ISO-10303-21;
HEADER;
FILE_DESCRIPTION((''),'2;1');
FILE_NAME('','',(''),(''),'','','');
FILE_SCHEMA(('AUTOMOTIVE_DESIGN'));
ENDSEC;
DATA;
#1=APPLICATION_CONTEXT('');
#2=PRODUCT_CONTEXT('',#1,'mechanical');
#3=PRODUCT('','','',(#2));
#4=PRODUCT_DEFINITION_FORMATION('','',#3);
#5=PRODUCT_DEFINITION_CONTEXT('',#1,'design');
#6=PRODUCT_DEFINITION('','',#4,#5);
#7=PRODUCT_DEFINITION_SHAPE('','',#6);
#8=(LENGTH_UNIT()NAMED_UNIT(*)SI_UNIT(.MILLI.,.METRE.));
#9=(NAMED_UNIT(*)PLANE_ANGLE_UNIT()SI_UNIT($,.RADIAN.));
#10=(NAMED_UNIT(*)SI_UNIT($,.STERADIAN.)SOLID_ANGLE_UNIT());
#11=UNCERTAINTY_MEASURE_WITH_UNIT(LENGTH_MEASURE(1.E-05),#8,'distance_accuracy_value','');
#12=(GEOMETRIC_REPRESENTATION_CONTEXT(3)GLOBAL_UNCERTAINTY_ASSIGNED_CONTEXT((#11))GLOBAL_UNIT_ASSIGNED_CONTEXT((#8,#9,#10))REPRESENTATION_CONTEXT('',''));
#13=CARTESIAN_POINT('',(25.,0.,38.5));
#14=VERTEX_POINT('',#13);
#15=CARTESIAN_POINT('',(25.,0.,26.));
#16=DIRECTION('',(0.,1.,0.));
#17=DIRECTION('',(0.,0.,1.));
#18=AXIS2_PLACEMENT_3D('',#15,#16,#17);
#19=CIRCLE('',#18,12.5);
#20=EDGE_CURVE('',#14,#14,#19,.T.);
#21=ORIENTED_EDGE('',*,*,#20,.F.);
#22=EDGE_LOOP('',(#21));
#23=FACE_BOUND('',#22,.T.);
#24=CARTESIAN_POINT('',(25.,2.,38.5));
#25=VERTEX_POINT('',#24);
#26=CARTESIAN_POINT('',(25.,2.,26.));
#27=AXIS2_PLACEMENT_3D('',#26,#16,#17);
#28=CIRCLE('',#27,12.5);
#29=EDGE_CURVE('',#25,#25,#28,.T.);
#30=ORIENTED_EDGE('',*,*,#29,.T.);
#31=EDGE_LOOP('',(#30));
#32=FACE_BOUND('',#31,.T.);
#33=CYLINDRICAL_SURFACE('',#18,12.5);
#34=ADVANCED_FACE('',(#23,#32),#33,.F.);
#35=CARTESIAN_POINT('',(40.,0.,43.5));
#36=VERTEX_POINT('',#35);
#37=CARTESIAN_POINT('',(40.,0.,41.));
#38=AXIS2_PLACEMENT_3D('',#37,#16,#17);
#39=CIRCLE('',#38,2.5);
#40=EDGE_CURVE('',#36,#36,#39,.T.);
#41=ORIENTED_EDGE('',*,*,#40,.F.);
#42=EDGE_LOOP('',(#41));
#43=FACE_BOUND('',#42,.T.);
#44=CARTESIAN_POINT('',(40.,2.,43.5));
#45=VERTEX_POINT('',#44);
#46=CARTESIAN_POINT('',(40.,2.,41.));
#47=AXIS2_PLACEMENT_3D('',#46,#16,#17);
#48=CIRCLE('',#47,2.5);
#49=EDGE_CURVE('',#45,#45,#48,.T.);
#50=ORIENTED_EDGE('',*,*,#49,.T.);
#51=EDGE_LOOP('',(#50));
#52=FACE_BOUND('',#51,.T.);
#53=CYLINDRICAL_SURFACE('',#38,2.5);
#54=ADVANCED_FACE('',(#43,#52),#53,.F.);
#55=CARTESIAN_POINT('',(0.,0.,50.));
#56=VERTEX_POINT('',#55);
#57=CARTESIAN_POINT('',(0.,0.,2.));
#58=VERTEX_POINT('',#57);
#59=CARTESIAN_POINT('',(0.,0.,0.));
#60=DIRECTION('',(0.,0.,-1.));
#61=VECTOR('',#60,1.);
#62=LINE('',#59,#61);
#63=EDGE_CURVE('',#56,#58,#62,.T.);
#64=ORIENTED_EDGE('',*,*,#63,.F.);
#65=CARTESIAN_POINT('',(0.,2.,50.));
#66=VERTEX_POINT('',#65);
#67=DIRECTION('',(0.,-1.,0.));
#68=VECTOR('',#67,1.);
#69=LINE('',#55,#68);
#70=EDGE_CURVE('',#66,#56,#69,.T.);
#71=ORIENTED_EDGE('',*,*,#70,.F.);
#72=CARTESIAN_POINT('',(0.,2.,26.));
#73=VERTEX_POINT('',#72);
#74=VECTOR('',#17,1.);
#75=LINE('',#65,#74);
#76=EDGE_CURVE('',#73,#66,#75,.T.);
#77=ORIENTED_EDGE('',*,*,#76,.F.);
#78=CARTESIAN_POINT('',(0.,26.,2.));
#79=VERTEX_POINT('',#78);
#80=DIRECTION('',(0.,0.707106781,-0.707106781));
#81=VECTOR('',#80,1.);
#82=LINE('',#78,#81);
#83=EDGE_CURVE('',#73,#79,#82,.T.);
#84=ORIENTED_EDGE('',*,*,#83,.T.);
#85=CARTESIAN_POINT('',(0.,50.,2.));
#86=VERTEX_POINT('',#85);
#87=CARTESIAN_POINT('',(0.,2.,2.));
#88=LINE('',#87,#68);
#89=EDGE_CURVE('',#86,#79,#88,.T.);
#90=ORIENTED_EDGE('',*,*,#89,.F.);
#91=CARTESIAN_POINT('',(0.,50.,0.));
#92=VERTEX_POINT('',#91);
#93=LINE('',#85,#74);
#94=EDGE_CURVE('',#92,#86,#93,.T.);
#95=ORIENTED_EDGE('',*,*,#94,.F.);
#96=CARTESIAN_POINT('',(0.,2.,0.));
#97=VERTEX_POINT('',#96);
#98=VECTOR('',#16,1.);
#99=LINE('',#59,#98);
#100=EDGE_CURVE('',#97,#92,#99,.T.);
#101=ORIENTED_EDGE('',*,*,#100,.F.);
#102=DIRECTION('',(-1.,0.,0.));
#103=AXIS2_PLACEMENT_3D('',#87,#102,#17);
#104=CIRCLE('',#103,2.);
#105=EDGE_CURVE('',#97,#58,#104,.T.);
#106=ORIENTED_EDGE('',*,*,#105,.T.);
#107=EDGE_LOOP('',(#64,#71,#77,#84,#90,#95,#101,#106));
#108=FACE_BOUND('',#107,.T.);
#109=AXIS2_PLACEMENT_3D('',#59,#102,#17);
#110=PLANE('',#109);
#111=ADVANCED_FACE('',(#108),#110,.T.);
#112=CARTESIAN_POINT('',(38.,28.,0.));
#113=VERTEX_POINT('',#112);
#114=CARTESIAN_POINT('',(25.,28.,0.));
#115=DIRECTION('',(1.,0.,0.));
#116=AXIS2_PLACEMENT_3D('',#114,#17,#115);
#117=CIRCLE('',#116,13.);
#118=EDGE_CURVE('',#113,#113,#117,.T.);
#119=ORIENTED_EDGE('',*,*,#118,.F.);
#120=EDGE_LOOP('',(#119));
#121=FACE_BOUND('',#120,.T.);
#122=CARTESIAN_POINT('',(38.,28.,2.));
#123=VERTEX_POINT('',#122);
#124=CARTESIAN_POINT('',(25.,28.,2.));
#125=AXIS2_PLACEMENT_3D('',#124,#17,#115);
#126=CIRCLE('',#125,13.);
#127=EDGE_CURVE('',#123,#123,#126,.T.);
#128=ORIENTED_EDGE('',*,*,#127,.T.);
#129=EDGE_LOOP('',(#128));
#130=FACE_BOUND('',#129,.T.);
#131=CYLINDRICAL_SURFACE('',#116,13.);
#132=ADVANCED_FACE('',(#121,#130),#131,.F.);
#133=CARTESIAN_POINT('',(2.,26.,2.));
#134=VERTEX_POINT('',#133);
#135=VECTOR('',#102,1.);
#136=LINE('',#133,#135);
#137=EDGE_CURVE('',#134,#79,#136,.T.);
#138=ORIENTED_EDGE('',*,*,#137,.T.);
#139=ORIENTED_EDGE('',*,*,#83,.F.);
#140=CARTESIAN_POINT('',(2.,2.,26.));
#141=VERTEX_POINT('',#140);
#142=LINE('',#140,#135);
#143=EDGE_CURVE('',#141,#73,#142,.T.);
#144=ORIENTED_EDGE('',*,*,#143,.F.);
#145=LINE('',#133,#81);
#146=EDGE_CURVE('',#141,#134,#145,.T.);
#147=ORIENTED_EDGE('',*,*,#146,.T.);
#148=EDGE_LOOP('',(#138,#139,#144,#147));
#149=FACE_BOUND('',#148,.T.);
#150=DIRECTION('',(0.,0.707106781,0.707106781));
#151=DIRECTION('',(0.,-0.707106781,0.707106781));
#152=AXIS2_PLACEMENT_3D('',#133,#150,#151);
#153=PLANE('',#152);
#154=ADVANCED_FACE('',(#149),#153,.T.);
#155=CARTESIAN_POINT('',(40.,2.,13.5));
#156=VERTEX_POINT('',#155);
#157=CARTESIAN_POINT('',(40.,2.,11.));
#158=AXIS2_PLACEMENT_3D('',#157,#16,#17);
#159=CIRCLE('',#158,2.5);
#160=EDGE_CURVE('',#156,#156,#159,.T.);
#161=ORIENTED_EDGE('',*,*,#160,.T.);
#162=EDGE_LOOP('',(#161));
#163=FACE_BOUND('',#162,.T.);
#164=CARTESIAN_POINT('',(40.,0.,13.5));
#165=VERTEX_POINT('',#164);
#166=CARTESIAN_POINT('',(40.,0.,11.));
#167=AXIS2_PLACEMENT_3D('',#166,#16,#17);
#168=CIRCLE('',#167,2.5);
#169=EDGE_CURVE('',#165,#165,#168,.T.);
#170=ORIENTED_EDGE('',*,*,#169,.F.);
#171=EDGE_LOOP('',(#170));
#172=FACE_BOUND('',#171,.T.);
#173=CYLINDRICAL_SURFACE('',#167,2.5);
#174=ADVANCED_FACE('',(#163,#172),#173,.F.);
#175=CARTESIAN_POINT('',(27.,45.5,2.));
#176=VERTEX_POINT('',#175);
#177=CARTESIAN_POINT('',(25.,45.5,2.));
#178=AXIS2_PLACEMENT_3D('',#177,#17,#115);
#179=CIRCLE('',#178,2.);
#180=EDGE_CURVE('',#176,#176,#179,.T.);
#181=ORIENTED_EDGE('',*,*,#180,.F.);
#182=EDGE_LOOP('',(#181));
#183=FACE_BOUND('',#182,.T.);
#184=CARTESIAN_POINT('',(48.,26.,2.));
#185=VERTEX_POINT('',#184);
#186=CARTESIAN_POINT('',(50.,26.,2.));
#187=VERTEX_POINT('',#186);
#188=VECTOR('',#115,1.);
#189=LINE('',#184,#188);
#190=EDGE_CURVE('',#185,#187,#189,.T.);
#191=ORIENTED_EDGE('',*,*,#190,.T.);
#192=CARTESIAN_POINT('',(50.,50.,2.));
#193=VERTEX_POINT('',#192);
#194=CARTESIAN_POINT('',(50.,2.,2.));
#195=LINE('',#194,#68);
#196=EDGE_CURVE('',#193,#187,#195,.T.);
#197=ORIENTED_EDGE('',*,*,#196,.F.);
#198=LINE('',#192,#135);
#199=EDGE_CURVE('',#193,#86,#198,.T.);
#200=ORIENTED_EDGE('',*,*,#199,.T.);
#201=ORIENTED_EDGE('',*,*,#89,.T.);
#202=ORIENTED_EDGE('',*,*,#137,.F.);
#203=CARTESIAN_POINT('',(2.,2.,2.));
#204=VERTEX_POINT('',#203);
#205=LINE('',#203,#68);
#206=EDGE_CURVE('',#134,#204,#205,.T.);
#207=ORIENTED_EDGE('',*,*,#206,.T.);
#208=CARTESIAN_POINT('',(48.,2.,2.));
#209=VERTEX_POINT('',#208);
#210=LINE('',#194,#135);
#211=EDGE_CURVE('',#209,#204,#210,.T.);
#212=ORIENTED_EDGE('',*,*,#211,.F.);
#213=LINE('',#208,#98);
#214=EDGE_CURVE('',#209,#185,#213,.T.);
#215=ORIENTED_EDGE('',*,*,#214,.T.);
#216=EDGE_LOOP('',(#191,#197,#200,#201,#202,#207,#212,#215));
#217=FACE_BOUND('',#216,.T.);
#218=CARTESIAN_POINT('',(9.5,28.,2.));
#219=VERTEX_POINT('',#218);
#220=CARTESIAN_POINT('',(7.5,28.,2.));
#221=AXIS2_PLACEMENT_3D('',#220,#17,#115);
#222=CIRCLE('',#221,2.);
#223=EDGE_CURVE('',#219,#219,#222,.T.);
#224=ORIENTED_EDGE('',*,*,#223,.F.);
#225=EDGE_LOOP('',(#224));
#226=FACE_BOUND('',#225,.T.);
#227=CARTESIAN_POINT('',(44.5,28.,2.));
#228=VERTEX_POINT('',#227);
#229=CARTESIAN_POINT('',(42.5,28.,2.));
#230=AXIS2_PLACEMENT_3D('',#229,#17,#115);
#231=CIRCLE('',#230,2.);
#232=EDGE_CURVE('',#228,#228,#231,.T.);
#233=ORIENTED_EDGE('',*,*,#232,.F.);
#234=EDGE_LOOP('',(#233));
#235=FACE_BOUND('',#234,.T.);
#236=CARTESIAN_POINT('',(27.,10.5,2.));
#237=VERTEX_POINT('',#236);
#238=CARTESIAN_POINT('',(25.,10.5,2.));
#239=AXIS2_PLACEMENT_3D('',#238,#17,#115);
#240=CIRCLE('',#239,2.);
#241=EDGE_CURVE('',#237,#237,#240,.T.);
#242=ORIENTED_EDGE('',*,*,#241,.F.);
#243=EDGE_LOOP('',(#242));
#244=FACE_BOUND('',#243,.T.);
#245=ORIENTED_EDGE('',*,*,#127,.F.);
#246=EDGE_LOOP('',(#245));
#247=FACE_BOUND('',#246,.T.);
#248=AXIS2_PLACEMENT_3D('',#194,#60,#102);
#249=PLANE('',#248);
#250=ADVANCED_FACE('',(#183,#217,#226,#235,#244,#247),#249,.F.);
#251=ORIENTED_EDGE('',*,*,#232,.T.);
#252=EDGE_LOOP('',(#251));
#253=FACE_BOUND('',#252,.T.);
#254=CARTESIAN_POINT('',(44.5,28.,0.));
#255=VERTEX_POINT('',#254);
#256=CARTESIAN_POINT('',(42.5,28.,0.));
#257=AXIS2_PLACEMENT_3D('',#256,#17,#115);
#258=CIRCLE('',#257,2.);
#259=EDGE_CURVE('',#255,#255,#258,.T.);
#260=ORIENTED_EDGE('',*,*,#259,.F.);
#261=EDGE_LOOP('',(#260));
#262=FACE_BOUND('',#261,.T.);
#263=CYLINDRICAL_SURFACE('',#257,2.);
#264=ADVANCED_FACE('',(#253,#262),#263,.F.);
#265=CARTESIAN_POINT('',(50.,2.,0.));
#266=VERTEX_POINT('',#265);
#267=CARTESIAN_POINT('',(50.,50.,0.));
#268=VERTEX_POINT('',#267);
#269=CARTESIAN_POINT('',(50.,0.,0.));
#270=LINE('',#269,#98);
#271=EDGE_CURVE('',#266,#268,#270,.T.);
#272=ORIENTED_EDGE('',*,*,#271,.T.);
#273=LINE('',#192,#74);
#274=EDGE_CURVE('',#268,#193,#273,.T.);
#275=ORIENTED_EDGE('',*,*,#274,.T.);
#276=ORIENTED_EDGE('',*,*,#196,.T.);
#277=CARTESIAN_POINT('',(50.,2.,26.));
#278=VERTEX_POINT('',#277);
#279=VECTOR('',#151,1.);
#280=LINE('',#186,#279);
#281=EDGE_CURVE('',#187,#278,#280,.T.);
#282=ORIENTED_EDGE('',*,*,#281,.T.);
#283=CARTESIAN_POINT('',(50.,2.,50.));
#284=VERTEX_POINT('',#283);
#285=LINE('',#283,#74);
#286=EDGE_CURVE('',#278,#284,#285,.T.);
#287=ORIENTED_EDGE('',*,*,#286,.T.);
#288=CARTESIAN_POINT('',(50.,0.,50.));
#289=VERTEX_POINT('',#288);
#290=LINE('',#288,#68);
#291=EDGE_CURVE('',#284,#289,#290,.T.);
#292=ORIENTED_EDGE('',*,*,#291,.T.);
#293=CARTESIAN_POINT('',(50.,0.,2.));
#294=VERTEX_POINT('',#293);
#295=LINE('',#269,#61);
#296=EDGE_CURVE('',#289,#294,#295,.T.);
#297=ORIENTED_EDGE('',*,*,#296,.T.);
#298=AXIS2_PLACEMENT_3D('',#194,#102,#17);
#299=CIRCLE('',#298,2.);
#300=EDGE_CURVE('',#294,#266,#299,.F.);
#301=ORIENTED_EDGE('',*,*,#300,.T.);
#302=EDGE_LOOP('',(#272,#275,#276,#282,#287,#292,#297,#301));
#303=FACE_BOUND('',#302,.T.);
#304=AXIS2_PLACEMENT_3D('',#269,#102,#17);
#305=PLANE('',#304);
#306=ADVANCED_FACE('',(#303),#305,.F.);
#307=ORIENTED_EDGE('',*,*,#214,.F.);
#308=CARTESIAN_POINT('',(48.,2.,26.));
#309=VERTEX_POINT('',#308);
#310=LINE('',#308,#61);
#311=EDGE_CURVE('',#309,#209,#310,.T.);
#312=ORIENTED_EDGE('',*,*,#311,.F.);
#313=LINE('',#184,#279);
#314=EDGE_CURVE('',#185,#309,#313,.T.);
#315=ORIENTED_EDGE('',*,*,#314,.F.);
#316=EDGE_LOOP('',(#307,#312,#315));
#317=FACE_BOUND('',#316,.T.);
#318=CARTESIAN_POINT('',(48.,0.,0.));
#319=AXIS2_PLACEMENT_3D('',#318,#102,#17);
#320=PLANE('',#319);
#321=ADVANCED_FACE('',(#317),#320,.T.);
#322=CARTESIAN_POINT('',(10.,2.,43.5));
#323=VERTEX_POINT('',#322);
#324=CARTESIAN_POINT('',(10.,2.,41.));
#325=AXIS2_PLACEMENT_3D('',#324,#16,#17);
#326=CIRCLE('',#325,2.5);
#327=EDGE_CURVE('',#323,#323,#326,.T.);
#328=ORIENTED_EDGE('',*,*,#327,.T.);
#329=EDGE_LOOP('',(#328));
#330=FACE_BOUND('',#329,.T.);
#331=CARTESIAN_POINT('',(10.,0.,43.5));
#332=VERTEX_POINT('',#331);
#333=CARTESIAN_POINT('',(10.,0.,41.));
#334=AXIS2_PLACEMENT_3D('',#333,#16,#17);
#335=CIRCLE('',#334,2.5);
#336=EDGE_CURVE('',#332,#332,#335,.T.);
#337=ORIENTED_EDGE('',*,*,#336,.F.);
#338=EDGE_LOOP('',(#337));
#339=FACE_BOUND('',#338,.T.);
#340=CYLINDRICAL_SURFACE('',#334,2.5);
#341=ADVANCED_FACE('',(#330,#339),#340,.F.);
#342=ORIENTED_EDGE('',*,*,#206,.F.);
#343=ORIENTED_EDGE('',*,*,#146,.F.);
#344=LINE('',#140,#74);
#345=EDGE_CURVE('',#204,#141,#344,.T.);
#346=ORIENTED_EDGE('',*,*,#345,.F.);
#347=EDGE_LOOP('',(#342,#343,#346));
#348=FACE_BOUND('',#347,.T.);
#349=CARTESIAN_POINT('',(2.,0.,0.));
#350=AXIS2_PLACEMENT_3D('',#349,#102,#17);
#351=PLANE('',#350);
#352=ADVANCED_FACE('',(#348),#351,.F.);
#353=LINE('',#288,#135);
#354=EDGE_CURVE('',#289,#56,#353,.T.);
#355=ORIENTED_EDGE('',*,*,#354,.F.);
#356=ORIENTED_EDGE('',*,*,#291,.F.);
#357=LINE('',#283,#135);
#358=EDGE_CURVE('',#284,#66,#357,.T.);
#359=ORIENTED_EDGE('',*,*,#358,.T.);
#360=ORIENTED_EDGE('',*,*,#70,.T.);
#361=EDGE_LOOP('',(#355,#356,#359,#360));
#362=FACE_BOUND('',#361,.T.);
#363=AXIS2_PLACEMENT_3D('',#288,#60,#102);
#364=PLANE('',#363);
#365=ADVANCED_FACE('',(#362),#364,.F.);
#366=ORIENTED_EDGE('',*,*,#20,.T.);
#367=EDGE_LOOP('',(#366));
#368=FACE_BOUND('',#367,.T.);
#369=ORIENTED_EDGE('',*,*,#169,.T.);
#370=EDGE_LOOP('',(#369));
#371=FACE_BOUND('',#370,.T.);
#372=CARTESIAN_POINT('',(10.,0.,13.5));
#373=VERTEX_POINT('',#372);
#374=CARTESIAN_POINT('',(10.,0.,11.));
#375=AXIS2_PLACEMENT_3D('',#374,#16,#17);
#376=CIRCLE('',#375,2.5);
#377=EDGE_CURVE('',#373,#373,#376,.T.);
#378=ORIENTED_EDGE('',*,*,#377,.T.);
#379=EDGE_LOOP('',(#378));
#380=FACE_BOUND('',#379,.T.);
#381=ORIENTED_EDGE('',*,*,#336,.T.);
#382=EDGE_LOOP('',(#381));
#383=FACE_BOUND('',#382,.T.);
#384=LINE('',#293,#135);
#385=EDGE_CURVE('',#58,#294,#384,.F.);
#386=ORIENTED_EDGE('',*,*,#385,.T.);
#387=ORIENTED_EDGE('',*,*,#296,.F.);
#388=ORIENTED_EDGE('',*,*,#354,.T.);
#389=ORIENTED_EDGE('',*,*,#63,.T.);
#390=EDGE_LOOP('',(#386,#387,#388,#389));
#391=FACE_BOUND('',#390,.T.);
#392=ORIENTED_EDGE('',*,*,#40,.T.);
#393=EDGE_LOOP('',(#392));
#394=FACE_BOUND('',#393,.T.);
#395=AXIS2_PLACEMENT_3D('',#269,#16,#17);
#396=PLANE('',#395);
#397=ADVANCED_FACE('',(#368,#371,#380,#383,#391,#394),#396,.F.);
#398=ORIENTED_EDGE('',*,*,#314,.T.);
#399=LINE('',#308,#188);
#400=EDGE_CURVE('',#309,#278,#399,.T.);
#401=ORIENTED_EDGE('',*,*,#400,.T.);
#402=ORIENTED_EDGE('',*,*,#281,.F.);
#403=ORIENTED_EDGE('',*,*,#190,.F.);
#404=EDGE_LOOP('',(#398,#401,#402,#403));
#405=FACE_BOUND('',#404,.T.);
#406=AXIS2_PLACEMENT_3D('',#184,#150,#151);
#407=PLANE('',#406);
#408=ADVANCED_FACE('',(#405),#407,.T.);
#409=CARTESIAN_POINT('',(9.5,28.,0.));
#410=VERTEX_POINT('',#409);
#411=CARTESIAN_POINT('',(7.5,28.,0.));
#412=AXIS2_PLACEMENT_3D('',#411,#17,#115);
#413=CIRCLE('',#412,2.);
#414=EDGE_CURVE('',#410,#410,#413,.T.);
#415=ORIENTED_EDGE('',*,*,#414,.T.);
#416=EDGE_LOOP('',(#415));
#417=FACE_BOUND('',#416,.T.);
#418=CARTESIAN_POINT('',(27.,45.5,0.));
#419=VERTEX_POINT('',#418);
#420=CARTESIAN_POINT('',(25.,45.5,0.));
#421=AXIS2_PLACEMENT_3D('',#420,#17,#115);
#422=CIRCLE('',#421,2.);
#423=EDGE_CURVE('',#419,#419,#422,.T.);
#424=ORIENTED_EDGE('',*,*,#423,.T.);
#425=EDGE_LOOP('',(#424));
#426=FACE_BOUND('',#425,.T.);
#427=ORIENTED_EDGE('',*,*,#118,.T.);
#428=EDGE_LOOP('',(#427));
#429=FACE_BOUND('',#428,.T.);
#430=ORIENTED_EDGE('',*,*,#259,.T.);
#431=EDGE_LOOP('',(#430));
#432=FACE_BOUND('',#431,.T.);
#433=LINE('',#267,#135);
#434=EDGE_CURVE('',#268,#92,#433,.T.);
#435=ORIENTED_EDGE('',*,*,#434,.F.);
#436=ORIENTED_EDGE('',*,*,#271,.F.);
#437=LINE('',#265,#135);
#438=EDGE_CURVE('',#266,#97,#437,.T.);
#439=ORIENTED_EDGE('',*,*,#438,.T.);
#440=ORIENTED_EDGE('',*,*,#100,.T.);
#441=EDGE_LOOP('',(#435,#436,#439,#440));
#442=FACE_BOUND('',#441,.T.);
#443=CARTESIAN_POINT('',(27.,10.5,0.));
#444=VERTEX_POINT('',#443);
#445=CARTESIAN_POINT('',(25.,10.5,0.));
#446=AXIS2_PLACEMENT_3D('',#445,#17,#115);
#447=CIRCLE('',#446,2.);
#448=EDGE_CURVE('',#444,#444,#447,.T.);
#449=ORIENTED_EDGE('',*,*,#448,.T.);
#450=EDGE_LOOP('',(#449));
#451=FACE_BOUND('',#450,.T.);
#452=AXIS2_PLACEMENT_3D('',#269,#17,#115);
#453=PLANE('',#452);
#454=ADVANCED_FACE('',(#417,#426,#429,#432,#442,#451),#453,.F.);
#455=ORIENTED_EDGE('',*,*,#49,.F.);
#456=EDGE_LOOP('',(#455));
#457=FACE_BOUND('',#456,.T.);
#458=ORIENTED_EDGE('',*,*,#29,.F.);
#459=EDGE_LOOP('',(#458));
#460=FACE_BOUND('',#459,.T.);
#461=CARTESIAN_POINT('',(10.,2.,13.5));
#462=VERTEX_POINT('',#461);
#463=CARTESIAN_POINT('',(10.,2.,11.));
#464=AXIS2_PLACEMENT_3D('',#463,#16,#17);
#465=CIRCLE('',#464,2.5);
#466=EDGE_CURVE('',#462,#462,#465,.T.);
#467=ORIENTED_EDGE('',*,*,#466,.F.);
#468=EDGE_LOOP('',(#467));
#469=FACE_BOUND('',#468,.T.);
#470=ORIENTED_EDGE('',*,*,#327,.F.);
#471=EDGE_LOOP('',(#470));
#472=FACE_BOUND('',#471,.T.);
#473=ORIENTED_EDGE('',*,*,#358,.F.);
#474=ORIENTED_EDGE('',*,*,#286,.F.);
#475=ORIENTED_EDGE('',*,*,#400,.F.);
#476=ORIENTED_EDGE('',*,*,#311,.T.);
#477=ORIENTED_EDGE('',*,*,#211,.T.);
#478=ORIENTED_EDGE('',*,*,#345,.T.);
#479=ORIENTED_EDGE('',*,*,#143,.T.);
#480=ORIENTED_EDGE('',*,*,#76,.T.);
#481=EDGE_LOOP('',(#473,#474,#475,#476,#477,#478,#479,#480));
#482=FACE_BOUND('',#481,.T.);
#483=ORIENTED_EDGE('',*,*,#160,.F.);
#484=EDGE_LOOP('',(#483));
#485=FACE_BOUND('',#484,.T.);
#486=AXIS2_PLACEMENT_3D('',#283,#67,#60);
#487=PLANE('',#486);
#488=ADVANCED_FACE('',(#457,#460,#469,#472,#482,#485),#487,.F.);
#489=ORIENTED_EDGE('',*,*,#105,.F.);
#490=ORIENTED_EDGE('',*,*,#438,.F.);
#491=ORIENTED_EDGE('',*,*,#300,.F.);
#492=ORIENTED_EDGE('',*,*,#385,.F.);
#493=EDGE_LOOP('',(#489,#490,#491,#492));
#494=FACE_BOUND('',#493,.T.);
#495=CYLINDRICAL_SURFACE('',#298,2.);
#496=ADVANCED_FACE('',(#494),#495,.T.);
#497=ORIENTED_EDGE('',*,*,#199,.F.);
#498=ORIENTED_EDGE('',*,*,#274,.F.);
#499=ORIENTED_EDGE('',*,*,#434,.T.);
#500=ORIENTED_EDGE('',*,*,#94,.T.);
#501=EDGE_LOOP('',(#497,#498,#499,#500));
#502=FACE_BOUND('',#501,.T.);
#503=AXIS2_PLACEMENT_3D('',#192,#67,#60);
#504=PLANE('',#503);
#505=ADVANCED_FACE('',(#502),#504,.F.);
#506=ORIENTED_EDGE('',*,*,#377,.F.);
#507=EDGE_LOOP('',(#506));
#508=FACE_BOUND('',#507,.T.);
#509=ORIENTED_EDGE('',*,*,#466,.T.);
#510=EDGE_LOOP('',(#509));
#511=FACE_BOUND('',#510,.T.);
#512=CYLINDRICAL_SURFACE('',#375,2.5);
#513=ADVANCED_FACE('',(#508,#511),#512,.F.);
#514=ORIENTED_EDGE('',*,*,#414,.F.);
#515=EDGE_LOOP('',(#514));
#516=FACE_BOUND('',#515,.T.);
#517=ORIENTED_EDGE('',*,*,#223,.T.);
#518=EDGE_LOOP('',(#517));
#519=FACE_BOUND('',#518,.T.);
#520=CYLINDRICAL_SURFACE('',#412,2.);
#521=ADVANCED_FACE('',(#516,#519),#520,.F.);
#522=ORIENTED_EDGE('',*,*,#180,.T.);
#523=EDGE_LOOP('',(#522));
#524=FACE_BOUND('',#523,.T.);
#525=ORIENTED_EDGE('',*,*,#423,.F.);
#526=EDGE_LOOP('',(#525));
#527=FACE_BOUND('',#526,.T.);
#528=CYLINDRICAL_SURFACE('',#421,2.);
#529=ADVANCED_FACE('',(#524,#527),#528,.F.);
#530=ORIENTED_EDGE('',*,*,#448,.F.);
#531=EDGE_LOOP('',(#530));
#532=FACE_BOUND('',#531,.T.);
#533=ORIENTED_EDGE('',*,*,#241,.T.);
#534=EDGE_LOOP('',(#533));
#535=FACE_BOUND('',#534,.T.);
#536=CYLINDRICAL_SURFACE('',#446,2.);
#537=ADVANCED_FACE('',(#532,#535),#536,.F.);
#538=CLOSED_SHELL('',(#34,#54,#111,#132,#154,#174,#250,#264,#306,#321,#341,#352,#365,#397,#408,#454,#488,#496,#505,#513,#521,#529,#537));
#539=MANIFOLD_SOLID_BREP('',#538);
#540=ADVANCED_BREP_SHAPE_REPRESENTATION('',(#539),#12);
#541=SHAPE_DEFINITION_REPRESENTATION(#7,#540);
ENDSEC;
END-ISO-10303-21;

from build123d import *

# Parameters (mm, degrees)
EXTRUDE_1_DEPTH     = 50
EXTRUDE_2_DEPTH     = 2
EXTRUDE_4_DEPTH     = 2
SKETCH_4_R          = 13
SKETCH_4_R_2        = 2
CUT_EXTRUDE_1_DEPTH = 3
SKETCH_5_R          = 12.5
SKETCH_5_R_2        = 2.5
CUT_EXTRUDE_2_DEPTH = 3
FILLET_2_R          = 2


with BuildPart() as part:
    # 草图1 → 凸台-拉伸1 (new body)
    with BuildSketch(Plane(origin=(0, 0, 0), x_dir=(0, 0, -1), z_dir=(1, 0, 0))):
        Polygon((0, 0), (0, 50), (-2, 50), (-2, 2), (-50, 2), (-50, 0), align=None)
    extrude(amount=EXTRUDE_1_DEPTH)

    # 草图2 → 凸台-拉伸2 (add)
    with BuildSketch(Plane(origin=(50, 0, 0), x_dir=(0, 0, -1), z_dir=(1, 0, 0))):
        Polygon((-2, 26), (-26, 2), (-2, 2), align=None)
    extrude(amount=-EXTRUDE_2_DEPTH)

    # 草图3 → 凸台-拉伸4 (add)
    with BuildSketch(Plane.ZY):
        Polygon((2, 26), (26, 2), (2, 2), align=None)
    extrude(amount=-EXTRUDE_4_DEPTH)

    # 草图4 → 切除-拉伸1 (cut, through all)
    with BuildSketch(Plane.XY.offset(2)):
        with Locations((25, 28)):
            Circle(SKETCH_4_R)
        with Locations((25, 45.5)):
            Circle(SKETCH_4_R_2)
        with Locations((42.5, 28)):
            Circle(SKETCH_4_R_2)
        with Locations((25, 10.5)):
            Circle(SKETCH_4_R_2)
        with Locations((7.5, 28)):
            Circle(SKETCH_4_R_2)
    extrude(amount=-CUT_EXTRUDE_1_DEPTH, mode=Mode.SUBTRACT)

    # 草图5 → 切除-拉伸2 (cut, through all)
    with BuildSketch(Plane(origin=(0, 2, 0), x_dir=(1, 0, 0), z_dir=(0, 1, 0))):
        with Locations((25, -26)):
            Circle(SKETCH_5_R)
        with Locations((10, -11)):
            Circle(SKETCH_5_R_2)
        with Locations((40, -11)):
            Circle(SKETCH_5_R_2)
        with Locations((40, -41)):
            Circle(SKETCH_5_R_2)
        with Locations((10, -41)):
            Circle(SKETCH_5_R_2)
    extrude(amount=-CUT_EXTRUDE_2_DEPTH, mode=Mode.SUBTRACT)

    # 圆角2
    fillet_2_edges = [part.edges().sort_by_distance(p)[0] for p in [
        (25, 0, 0),
    ]]
    fillet(fillet_2_edges, radius=FILLET_2_R)


solid = part.part
